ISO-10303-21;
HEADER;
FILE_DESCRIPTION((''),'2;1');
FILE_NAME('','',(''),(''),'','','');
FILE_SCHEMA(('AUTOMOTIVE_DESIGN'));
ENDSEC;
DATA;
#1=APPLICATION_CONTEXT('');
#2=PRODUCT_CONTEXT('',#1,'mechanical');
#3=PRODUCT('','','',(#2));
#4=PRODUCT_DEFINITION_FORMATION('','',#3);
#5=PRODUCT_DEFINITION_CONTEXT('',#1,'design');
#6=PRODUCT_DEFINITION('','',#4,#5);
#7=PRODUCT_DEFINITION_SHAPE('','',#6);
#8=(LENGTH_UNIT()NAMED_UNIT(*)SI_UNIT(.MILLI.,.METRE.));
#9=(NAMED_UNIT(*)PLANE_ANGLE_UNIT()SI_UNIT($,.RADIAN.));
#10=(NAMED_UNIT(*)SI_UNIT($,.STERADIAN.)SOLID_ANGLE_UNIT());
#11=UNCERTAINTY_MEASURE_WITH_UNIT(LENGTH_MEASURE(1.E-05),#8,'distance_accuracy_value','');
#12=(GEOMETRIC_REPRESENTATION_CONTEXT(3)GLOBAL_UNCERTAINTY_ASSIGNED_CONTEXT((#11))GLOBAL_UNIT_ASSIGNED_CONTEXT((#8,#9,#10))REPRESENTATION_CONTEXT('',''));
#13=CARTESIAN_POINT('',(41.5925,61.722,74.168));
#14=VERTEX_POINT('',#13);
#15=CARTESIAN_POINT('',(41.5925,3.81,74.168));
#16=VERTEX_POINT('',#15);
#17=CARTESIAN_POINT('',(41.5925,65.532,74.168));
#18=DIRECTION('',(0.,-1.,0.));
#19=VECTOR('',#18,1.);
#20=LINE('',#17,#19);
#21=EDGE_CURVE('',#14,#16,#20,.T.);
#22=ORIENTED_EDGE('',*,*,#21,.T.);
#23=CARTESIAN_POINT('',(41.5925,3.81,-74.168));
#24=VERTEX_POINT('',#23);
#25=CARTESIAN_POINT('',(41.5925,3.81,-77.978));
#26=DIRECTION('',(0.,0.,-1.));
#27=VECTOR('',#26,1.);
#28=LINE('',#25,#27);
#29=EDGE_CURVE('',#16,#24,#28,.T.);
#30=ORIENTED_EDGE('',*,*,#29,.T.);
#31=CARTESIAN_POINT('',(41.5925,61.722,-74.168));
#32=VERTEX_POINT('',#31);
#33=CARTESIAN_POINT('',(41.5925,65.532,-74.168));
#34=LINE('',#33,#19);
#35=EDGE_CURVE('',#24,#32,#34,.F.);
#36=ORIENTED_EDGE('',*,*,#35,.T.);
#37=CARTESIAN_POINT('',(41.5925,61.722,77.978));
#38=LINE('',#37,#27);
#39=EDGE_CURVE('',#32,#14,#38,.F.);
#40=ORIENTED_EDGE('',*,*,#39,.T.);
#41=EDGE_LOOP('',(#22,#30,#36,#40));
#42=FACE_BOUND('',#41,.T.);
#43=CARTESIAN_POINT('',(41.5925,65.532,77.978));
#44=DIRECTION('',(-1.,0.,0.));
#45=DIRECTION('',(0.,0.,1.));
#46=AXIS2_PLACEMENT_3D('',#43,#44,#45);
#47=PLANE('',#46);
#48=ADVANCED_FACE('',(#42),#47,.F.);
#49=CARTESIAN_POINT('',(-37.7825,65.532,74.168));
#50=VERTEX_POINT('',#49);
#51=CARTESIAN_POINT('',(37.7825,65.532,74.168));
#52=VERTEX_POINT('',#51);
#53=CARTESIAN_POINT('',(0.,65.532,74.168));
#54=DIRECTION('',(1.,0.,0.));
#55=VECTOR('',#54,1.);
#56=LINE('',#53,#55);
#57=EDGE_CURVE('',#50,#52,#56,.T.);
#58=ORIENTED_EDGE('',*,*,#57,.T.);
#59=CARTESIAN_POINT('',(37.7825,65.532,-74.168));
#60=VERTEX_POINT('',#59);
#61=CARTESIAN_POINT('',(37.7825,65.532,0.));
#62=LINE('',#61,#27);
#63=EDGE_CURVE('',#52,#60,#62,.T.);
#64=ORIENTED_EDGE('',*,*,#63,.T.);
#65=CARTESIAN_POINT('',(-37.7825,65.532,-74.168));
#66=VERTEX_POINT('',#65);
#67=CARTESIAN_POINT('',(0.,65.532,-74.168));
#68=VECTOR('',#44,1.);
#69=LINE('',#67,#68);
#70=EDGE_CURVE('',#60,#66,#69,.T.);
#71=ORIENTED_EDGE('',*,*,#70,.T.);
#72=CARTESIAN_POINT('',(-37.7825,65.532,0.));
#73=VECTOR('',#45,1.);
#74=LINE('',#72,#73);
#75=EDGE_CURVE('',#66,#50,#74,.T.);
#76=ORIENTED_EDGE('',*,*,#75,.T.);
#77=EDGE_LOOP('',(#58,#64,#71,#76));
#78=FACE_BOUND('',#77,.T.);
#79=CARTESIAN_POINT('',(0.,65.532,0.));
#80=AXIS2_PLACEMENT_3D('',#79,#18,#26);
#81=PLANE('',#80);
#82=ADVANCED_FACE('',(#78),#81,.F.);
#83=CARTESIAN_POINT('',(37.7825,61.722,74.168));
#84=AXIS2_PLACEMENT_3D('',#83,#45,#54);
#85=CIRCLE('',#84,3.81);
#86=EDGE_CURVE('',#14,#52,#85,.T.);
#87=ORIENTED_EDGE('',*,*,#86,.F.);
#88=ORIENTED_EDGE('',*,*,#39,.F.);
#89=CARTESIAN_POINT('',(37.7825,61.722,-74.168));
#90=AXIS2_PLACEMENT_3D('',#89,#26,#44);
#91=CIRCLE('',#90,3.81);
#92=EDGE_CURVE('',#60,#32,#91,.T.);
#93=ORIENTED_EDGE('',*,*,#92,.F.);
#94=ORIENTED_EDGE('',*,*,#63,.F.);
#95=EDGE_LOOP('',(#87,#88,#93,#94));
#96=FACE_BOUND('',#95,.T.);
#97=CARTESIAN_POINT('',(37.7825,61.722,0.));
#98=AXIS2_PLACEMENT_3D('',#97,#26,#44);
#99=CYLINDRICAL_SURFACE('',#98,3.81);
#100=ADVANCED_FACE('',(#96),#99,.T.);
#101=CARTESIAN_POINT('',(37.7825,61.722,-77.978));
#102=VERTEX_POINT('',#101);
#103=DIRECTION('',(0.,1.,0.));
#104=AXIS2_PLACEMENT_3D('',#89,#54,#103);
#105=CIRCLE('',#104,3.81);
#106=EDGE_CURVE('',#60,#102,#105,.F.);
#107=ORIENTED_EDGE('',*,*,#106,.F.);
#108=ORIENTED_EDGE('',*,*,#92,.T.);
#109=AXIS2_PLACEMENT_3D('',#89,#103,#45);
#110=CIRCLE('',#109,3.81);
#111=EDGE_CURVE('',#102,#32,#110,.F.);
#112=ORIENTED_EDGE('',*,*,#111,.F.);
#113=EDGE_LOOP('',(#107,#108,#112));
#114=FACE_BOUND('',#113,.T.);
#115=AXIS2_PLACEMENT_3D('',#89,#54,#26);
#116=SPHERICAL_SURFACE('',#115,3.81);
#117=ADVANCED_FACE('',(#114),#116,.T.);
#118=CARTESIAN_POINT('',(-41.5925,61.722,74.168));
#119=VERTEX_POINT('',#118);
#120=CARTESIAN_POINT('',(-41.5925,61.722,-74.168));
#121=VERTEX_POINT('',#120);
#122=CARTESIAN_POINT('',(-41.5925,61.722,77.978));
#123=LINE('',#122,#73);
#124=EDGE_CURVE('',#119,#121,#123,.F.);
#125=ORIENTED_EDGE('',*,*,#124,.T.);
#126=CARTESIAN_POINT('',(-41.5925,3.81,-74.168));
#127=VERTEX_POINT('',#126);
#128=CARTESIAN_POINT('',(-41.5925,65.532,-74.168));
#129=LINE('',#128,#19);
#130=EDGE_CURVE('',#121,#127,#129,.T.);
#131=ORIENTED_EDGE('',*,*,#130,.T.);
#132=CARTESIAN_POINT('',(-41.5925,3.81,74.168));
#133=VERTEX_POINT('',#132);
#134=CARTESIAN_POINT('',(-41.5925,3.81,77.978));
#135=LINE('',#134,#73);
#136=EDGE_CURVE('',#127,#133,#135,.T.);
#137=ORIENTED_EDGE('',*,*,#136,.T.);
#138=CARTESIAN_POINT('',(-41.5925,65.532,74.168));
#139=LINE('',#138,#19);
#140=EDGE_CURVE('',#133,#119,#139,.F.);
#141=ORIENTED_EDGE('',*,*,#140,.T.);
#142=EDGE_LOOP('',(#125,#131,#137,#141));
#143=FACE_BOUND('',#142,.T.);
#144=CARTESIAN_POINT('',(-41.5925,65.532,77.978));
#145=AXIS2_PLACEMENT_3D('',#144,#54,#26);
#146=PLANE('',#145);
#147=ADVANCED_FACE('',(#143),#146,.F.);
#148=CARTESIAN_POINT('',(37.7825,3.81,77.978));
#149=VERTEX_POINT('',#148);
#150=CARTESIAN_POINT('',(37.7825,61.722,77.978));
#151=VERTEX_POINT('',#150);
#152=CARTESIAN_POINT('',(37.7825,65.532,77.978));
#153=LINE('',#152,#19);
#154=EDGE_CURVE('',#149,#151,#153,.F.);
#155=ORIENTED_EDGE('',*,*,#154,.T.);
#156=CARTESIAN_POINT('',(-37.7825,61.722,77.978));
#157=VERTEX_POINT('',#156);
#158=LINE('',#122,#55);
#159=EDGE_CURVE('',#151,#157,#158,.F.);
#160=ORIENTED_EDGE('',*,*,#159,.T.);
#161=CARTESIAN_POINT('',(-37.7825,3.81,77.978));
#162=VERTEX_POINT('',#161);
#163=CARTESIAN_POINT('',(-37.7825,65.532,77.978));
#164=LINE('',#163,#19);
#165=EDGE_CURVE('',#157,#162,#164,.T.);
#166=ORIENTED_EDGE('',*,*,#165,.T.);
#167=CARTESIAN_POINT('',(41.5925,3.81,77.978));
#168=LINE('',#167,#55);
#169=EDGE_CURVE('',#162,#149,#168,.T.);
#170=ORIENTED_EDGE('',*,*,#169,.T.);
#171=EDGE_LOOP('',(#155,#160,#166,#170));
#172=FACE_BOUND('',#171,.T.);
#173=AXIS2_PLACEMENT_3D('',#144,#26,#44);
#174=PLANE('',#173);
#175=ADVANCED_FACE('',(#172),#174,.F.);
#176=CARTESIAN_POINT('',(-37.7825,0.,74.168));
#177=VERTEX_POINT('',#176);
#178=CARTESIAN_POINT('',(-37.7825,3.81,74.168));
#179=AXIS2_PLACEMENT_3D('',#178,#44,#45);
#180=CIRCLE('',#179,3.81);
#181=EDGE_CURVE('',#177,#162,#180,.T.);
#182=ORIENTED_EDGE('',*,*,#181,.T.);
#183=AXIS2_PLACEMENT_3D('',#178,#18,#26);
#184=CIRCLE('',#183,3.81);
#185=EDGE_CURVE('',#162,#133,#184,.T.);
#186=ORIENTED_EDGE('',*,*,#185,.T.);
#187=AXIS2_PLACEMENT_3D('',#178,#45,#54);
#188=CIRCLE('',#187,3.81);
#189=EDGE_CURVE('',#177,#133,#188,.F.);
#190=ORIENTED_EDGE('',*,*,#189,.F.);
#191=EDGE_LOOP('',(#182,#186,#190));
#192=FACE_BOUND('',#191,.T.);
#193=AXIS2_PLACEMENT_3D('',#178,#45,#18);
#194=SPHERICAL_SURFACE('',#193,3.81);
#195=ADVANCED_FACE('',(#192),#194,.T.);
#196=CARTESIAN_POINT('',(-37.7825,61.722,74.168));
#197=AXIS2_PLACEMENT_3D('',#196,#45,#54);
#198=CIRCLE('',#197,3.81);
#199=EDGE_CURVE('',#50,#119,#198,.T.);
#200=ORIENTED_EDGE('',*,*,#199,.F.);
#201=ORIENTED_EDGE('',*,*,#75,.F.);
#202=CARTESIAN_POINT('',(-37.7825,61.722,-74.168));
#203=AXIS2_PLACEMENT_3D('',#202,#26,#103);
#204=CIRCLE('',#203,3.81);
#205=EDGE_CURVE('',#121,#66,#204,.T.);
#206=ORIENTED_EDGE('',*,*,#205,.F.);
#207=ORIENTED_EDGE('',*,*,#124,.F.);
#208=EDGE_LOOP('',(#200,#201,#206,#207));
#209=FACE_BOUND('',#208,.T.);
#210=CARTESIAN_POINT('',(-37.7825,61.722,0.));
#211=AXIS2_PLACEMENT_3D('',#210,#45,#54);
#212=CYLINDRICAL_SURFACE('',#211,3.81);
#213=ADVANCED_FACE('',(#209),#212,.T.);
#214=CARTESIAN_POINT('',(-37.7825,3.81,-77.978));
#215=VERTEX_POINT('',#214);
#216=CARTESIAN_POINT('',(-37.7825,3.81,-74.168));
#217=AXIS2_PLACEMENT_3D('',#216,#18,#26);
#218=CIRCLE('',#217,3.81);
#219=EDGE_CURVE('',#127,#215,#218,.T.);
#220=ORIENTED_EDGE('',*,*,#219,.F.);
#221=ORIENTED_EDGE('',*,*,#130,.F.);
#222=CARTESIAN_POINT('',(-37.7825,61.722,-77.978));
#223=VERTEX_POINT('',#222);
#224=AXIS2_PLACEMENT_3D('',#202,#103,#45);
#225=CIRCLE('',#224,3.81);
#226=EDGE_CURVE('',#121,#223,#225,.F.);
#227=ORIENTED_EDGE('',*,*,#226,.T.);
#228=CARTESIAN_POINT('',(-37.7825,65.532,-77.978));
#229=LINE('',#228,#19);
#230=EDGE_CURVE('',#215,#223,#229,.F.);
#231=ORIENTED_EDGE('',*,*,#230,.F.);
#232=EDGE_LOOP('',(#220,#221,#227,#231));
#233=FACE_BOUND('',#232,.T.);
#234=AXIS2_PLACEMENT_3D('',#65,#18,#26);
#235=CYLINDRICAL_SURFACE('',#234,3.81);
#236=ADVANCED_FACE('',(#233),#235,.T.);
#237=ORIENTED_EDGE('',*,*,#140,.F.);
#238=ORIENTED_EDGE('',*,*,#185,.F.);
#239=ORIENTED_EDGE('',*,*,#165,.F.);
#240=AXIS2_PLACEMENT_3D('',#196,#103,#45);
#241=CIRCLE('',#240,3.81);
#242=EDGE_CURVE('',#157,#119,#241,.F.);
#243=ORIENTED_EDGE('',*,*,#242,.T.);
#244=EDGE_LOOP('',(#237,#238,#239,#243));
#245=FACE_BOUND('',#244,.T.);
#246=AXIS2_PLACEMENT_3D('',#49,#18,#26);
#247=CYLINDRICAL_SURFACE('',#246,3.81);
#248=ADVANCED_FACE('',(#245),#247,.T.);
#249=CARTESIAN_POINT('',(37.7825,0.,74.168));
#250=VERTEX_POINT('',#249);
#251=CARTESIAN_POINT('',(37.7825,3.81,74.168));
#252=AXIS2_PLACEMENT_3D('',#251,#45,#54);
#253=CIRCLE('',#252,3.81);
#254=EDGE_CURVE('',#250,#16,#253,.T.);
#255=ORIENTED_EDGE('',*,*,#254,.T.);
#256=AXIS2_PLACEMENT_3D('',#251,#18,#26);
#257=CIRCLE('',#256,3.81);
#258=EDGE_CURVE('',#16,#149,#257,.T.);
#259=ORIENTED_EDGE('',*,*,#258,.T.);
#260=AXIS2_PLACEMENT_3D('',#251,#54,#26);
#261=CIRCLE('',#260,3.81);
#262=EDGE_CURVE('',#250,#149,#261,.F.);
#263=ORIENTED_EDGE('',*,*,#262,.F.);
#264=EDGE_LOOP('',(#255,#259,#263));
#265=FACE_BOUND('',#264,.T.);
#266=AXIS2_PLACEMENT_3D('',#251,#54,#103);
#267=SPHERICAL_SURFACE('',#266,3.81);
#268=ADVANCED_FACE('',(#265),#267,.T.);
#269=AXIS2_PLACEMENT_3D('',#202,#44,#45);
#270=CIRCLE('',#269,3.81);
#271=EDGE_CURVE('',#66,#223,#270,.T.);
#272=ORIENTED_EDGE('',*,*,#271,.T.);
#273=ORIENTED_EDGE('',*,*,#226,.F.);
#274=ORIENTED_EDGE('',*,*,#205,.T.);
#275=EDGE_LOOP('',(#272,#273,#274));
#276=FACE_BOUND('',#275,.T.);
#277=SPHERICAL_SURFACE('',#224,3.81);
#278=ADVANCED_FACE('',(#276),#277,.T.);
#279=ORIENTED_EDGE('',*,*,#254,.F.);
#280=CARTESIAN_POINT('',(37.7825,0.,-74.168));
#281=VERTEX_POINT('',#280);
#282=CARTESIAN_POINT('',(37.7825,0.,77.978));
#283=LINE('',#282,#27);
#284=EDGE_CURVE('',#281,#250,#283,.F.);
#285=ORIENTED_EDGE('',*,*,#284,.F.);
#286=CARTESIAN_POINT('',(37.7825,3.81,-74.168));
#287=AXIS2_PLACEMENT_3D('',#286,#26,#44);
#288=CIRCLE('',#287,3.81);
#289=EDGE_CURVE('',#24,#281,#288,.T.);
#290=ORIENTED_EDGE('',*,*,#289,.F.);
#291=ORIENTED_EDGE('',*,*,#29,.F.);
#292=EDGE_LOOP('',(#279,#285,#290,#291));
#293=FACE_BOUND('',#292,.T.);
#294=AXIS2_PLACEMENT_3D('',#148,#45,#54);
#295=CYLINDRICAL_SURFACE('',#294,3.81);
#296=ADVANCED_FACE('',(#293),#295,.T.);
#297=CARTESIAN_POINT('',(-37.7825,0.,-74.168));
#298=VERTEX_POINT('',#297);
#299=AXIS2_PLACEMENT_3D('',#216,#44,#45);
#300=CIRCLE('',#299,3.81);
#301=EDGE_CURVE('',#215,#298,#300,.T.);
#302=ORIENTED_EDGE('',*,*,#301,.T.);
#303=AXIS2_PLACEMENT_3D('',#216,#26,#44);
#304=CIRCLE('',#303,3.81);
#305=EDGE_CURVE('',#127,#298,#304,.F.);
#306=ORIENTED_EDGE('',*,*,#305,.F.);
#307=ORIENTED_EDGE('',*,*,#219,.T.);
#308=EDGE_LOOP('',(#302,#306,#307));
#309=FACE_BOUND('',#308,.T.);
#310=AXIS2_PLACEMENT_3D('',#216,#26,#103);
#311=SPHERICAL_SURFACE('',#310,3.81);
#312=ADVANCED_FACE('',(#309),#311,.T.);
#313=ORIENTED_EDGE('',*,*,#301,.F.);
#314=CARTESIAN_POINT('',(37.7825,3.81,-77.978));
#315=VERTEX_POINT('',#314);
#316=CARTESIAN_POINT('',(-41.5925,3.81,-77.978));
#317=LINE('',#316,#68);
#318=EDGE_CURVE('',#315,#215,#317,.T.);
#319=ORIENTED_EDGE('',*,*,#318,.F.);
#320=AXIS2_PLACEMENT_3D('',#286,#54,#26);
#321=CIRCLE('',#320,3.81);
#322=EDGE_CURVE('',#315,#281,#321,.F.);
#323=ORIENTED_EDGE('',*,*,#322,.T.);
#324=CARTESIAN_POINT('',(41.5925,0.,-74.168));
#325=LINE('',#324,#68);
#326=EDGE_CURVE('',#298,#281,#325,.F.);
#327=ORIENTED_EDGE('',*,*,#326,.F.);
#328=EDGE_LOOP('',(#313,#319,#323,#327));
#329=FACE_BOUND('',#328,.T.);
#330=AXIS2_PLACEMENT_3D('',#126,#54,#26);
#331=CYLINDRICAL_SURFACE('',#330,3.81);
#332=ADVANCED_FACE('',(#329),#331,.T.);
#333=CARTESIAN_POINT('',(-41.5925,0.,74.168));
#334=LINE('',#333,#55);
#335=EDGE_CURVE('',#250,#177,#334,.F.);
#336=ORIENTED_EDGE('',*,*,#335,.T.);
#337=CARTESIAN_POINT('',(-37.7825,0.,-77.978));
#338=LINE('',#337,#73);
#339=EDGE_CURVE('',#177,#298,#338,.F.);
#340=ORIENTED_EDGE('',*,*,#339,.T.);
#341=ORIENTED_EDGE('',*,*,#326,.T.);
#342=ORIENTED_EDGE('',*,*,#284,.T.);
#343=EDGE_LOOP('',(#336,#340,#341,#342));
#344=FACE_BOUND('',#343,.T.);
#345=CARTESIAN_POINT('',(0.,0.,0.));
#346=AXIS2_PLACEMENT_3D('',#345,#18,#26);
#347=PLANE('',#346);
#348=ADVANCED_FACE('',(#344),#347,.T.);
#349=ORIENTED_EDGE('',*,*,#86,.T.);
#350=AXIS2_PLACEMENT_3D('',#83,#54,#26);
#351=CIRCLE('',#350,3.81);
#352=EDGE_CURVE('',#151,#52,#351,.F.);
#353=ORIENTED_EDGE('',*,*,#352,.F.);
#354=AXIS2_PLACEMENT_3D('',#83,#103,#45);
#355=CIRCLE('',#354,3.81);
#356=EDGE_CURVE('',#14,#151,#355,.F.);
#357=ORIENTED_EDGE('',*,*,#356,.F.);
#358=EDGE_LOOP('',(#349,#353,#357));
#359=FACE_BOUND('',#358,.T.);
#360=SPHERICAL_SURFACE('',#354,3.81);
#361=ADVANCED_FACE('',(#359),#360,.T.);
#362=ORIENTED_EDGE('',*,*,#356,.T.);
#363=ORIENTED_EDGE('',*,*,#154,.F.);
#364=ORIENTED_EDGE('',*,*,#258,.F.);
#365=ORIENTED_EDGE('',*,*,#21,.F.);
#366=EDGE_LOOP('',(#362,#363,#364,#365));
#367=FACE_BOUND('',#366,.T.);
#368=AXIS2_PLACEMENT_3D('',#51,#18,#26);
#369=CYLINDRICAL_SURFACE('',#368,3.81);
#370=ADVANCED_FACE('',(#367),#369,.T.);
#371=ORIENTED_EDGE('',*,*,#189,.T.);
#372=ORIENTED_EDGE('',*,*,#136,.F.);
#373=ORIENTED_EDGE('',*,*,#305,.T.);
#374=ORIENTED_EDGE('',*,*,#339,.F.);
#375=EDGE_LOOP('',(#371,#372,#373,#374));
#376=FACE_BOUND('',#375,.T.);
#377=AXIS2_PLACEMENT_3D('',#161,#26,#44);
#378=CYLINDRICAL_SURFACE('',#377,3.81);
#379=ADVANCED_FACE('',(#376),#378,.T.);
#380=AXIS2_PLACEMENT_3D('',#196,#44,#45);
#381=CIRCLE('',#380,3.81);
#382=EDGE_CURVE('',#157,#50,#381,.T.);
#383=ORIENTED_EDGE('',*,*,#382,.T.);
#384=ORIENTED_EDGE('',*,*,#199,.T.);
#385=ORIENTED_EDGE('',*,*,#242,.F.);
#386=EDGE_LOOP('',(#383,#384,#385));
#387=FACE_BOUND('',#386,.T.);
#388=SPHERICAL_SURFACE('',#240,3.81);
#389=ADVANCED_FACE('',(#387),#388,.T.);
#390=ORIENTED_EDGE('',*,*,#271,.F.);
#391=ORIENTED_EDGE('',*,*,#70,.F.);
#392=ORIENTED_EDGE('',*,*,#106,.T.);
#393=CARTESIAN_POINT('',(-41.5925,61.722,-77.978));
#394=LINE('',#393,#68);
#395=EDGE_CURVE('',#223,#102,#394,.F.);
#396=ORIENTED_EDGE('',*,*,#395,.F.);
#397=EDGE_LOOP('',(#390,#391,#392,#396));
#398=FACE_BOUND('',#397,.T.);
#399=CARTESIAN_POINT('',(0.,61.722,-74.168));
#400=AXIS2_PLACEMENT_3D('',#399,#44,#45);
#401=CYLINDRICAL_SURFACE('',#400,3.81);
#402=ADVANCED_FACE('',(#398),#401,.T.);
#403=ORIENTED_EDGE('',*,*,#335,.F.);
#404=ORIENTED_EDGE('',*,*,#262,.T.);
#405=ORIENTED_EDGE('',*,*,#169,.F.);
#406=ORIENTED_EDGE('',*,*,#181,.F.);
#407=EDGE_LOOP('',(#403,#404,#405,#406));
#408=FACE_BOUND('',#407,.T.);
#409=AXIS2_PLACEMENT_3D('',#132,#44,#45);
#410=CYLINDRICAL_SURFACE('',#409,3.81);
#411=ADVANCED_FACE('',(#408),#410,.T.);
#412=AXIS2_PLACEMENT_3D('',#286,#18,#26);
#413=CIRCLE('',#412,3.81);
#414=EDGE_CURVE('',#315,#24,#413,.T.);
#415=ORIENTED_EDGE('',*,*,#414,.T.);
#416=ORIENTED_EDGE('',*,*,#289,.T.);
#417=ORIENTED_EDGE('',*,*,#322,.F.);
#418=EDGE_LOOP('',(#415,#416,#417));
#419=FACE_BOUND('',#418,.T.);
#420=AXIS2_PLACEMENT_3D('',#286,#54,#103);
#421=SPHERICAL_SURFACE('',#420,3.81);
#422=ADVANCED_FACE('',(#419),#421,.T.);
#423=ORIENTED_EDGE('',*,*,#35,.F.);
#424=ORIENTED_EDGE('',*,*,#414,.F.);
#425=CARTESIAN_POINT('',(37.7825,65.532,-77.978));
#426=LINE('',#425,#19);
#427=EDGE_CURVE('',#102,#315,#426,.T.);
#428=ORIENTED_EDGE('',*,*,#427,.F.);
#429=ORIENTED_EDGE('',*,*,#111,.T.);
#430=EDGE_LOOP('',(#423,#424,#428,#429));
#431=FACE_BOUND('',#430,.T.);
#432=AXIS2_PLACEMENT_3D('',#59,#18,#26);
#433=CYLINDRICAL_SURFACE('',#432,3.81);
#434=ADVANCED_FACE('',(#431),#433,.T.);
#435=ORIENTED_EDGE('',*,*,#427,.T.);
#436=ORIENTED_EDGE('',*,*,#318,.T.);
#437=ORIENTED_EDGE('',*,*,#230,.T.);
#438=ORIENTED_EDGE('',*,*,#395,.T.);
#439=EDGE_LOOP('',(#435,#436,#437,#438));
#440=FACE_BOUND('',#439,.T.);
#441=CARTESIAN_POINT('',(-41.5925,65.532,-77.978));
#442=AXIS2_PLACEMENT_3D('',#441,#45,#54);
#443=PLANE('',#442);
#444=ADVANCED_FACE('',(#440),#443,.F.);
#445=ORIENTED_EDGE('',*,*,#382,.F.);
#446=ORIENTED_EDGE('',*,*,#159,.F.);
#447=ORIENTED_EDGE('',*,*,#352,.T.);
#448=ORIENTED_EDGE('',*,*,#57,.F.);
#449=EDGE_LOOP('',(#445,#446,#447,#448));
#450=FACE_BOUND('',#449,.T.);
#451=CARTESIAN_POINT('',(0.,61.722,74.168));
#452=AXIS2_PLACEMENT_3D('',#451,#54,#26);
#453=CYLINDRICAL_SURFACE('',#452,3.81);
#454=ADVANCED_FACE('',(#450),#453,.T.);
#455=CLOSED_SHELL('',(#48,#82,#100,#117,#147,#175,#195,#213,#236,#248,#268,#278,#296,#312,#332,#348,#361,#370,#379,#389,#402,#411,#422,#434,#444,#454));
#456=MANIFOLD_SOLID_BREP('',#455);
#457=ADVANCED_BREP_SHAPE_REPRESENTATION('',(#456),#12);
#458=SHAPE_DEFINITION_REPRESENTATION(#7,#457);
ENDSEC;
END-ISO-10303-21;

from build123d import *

# Parameters (mm, degrees)
SKETCH1_W           = 83.185
SKETCH1_H           = 155.956
BOSS_EXTRUDE1_DEPTH = 65.532
FILLET1_R           = 3.81


with BuildPart() as part:
    # Sketch1 → Boss-Extrude1 (new body)
    with BuildSketch(Plane(origin=(0, 0, 0), x_dir=(1, 0, 0), z_dir=(0, 1, 0))):
        Rectangle(SKETCH1_W, SKETCH1_H)
    extrude(amount=BOSS_EXTRUDE1_DEPTH)

    # Fillet1
    fillet1_edges = [part.edges().sort_by_distance(p)[0] for p in [
        (-41.5925, 65.532, 0),
        (0, 65.532, 77.978),
        (41.5925, 65.532, 0),
        (0, 0, 77.978),
        (-41.5925, 0, 0),
        (0, 0, -77.978),
        (41.5925, 0, 0),
        (41.5925, 32.766, 77.978),
        (-41.5925, 32.766, 77.978),
        (-41.5925, 32.766, -77.978),
        (41.5925, 32.766, -77.978),
        (0, 65.532, -77.978),
    ]]
    fillet(fillet1_edges, radius=FILLET1_R)


solid = part.part
